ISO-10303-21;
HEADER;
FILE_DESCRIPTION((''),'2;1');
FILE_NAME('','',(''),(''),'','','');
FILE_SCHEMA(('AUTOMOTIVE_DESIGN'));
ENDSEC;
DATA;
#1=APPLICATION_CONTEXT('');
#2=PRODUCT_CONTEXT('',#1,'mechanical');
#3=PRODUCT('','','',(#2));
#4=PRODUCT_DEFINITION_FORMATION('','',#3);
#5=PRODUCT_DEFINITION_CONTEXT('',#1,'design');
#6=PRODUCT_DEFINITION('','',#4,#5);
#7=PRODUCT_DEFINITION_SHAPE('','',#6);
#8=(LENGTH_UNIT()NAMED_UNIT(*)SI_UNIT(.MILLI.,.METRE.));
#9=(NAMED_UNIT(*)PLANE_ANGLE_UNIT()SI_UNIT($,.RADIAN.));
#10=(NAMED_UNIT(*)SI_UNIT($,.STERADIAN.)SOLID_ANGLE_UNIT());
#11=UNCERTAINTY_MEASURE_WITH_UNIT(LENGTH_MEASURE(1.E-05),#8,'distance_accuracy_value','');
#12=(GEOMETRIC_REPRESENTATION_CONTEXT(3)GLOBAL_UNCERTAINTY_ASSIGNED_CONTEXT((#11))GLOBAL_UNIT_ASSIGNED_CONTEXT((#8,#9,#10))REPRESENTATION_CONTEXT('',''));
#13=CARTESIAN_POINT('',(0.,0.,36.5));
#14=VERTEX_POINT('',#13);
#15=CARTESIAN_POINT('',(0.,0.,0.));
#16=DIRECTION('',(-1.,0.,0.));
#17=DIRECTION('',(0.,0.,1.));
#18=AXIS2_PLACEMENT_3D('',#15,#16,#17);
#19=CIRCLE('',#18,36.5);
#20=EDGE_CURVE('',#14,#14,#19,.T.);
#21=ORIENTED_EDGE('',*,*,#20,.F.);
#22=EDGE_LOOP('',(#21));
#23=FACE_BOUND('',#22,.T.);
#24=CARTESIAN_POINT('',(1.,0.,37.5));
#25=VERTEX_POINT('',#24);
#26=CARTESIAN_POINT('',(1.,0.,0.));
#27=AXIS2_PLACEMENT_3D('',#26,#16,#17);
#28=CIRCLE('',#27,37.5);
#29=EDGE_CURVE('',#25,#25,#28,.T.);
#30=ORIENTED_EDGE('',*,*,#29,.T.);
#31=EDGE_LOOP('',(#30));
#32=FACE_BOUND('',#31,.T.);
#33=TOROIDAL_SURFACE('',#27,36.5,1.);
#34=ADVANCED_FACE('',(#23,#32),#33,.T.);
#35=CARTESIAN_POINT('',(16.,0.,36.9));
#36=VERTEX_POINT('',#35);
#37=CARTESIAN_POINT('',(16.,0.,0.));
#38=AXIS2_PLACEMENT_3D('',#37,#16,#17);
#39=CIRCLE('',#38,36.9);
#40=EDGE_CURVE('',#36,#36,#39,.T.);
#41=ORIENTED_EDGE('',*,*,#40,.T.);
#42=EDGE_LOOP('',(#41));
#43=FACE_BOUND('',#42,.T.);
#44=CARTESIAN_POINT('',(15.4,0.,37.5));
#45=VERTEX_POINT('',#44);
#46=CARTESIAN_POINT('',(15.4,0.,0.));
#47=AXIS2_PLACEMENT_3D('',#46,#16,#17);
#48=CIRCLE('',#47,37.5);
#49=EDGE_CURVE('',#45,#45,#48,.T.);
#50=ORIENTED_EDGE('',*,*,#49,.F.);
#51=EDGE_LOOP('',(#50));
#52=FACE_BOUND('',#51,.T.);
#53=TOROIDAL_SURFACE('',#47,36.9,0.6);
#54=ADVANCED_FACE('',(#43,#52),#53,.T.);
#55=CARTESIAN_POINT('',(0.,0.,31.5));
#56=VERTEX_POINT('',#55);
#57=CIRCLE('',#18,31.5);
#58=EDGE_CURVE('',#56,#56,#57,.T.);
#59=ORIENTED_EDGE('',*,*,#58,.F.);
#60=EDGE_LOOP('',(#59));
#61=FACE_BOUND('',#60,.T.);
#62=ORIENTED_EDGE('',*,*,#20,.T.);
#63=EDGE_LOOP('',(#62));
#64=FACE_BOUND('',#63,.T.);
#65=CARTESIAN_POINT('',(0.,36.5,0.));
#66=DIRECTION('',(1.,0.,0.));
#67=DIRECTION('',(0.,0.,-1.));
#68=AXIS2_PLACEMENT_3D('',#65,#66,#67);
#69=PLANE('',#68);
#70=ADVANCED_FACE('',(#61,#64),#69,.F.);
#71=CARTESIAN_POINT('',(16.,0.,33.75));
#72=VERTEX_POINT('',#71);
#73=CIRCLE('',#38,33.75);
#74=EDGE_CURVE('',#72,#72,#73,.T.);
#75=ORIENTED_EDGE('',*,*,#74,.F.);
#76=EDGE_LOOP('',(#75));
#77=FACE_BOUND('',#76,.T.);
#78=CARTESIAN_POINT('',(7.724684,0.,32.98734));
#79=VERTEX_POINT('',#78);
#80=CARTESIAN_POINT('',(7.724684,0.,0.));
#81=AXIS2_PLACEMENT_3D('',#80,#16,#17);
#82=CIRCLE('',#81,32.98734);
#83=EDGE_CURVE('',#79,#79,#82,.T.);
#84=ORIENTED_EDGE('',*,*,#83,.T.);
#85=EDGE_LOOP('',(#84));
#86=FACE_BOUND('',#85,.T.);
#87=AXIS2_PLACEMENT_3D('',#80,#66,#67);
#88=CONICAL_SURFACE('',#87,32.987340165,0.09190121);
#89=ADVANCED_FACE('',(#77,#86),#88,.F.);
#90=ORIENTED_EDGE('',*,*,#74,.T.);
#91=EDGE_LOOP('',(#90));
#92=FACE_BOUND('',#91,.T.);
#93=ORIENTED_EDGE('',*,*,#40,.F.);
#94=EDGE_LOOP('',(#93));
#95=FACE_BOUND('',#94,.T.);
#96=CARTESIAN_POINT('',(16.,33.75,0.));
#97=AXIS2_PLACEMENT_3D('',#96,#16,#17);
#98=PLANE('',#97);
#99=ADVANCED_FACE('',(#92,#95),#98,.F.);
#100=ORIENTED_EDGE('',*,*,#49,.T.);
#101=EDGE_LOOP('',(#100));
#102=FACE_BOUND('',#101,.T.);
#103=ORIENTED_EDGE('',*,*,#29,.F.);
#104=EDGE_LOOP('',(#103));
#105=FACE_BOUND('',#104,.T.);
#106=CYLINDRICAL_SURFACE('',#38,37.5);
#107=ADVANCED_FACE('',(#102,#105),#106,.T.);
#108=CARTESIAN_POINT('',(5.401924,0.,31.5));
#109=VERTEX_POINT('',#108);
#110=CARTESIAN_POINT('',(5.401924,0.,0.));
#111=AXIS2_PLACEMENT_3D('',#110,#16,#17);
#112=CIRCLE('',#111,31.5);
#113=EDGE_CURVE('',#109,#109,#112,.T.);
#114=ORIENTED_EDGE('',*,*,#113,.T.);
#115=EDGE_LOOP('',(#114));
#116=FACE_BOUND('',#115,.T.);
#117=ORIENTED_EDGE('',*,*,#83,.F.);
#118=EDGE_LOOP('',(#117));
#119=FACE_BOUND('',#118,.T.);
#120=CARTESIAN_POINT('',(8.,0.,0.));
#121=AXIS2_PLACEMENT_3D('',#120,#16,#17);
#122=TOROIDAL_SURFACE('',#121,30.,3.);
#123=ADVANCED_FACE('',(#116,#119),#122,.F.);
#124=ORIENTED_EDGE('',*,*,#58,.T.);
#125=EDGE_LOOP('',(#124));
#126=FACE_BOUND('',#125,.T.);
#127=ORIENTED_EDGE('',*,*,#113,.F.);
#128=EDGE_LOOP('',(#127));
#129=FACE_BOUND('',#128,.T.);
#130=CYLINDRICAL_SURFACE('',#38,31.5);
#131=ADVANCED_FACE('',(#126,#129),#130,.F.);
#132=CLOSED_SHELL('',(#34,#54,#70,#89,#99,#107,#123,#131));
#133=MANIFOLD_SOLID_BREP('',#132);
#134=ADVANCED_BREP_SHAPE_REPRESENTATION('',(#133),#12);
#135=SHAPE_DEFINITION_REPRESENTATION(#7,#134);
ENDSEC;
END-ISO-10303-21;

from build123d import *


with BuildPart() as part:
    # Sketch1 → Revolve1 (revolve)
    with BuildSketch(Plane.XY, mode=Mode.PRIVATE) as revolve1_sk:
        with BuildLine():
            Line((0, 31.5), (5.401923789, 31.5))
            ThreePointArc((5.401923789, 31.5), (6.382242149, 32.526432175), (7.724684297, 32.987340165))
            Line((7.724684297, 32.987340165), (16, 33.75))
            Line((16, 33.75), (16, 36.9))
            ThreePointArc((16, 36.9), (15.824264069, 37.324264069), (15.4, 37.5))
            Line((15.4, 37.5), (1, 37.5))
            ThreePointArc((1, 37.5), (0.292893219, 37.207106781), (0, 36.5))
            Line((0, 36.5), (0, 31.5))
        make_face()
    revolve(revolve1_sk.sketch.rotate(Axis((16, 0, 0), (-1, 0, 0)), 270), axis=Axis((16, 0, 0), (-1, 0, 0)))


solid = part.part
